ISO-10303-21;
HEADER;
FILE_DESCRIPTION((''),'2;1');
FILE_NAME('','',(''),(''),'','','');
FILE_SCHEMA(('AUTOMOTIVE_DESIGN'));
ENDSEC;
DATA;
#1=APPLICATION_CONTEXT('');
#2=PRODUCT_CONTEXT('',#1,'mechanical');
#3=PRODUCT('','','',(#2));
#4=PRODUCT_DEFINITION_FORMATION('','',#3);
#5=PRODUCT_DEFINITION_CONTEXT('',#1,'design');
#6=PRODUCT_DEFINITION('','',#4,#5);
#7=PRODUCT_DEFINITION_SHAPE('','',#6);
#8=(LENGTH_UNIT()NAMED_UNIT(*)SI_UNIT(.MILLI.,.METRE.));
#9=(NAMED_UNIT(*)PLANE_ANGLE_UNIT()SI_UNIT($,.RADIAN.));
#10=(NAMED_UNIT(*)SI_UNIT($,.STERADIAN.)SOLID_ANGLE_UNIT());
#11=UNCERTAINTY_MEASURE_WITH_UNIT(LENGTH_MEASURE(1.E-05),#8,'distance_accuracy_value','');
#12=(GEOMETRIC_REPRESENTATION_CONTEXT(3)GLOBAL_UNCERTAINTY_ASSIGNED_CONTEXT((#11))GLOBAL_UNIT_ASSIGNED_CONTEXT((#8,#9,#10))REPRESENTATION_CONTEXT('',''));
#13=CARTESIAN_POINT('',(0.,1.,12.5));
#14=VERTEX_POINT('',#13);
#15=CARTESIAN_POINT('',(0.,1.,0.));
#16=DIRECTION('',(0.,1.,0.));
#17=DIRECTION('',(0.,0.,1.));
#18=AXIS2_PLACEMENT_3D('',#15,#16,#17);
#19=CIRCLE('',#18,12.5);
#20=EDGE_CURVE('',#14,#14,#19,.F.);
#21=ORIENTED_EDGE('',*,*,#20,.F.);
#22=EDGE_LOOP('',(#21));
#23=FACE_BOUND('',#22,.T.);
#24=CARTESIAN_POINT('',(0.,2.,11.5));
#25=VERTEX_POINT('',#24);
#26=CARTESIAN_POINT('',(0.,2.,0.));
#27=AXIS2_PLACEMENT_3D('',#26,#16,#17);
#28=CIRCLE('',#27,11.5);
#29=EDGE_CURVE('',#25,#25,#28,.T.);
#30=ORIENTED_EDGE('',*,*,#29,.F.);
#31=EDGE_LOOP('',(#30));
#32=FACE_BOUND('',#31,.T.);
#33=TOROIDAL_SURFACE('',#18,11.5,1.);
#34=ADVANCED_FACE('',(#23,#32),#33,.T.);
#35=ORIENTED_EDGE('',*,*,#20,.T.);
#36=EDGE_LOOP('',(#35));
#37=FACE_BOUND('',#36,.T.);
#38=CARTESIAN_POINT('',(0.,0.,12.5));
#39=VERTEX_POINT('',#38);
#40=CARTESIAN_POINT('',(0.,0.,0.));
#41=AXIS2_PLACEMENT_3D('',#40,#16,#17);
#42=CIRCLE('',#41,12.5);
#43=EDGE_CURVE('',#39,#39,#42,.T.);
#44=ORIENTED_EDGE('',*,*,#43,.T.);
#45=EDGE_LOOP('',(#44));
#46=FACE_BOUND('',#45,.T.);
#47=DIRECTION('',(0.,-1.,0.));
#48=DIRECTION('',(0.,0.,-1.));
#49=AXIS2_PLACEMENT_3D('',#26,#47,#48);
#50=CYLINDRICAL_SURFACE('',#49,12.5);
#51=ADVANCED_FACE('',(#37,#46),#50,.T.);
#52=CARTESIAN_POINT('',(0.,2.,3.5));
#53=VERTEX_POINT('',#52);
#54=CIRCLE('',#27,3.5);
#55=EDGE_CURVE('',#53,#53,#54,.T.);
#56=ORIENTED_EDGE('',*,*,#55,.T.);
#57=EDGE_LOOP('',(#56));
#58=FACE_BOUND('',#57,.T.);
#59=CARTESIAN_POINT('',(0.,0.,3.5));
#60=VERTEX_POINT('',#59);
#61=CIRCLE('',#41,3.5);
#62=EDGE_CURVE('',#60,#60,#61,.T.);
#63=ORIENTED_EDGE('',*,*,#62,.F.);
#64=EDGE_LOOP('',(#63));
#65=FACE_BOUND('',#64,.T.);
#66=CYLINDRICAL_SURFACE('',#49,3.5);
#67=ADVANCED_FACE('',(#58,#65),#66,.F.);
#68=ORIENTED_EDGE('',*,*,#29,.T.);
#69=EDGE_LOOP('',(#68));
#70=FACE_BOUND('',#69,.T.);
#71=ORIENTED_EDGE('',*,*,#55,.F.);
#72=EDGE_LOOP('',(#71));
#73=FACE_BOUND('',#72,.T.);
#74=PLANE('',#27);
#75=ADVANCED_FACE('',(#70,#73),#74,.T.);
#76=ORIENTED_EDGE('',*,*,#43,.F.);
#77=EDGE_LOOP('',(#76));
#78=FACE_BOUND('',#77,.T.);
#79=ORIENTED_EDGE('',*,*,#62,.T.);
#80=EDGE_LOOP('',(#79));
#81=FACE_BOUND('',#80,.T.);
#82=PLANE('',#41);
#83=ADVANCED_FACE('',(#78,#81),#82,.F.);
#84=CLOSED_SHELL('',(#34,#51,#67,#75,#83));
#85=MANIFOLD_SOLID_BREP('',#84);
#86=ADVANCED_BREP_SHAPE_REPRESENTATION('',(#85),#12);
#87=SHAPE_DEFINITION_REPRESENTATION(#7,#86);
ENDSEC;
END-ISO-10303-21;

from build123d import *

# Parameters (mm, degrees)
SKETCH1_R           = 12.5
SKETCH1_R_2         = 3.5
BOSS_EXTRUDE1_DEPTH = 2
FILLET1_R           = 1


with BuildPart() as part:
    # Sketch1 → Boss-Extrude1 (new body)
    with BuildSketch(Plane(origin=(0, 0, 0), x_dir=(1, 0, 0), z_dir=(0, 1, 0))):
        with Locations(Location((0, 0, 0), (0, 0, 270))):
            Circle(SKETCH1_R)
        with Locations(Location((0, 0, 0), (0, 0, 270))):
            Circle(SKETCH1_R_2, mode=Mode.SUBTRACT)
    extrude(amount=BOSS_EXTRUDE1_DEPTH)

    # Fillet1
    fillet1_edges = [part.edges().sort_by_distance(p)[0] for p in [
        (0, 2, -12.5),
    ]]
    fillet(fillet1_edges, radius=FILLET1_R)


solid = part.part
